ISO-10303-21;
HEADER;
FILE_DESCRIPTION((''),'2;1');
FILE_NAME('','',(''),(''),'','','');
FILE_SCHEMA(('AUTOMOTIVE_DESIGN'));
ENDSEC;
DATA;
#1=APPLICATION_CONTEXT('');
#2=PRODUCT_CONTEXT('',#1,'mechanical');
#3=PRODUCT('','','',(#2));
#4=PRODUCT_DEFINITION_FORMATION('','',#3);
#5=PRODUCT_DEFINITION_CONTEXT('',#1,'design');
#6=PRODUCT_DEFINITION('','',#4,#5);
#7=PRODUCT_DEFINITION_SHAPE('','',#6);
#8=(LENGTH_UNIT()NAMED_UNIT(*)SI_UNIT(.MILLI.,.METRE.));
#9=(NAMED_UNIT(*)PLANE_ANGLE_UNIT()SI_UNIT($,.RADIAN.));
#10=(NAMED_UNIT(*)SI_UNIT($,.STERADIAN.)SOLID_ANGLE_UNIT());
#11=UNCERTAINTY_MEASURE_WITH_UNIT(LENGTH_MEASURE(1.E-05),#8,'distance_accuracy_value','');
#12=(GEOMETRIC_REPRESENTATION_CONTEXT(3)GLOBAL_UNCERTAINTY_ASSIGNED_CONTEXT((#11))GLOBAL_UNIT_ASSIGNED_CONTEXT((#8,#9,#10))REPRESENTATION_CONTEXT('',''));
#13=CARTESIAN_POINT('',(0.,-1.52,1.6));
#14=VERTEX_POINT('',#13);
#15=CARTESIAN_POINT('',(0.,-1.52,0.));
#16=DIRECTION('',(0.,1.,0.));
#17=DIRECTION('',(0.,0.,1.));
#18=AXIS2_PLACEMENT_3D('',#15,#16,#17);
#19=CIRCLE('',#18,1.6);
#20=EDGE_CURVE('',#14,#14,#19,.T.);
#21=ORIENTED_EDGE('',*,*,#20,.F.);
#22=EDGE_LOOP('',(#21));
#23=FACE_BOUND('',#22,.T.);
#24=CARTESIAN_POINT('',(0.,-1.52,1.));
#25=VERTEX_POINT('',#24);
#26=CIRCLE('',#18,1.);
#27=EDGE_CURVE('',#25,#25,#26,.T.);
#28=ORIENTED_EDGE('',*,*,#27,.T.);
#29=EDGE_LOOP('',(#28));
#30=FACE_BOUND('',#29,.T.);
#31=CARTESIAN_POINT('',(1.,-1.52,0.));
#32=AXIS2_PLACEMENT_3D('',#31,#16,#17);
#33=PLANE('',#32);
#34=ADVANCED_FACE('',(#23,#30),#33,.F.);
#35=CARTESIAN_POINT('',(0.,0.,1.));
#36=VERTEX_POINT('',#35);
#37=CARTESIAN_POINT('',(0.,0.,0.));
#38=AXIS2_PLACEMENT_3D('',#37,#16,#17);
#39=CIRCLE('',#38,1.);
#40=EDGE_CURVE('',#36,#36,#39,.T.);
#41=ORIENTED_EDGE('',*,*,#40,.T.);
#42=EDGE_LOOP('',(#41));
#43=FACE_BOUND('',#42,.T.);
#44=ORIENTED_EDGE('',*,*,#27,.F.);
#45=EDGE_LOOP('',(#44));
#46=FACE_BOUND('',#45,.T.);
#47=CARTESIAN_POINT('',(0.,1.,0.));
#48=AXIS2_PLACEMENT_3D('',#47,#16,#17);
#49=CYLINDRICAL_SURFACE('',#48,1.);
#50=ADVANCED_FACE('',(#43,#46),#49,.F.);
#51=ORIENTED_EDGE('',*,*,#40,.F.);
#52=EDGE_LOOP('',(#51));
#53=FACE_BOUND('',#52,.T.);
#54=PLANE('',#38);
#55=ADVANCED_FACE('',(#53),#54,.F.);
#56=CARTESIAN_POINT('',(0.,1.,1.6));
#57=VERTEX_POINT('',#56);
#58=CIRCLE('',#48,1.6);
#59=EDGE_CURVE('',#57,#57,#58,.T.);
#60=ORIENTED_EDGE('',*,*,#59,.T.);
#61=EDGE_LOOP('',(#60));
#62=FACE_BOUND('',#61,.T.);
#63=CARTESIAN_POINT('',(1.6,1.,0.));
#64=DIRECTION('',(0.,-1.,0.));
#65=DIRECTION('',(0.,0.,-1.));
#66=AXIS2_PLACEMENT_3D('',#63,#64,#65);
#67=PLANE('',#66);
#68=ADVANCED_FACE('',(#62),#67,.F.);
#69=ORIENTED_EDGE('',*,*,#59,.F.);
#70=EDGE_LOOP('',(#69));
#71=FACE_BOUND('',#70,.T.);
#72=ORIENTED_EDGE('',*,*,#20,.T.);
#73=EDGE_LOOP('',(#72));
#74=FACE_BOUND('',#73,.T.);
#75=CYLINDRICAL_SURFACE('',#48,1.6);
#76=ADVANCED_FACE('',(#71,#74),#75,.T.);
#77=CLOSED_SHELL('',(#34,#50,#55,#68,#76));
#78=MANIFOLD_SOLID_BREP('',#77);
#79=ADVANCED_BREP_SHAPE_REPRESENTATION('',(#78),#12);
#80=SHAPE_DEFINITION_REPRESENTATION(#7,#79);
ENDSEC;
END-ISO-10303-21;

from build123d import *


with BuildPart() as part:
    # Sketch1 → Revolve1 (revolve)
    with BuildSketch(Plane.XY, mode=Mode.PRIVATE) as revolve1_sk:
        Polygon((0, 0), (1, 0), (1, -1.52), (1.6, -1.52), (1.6, 1), (0, 1), align=None)
    revolve(revolve1_sk.sketch.rotate(Axis((0, 1, 0), (0, -1, 0)), 90), axis=Axis((0, 1, 0), (0, -1, 0)))


solid = part.part
